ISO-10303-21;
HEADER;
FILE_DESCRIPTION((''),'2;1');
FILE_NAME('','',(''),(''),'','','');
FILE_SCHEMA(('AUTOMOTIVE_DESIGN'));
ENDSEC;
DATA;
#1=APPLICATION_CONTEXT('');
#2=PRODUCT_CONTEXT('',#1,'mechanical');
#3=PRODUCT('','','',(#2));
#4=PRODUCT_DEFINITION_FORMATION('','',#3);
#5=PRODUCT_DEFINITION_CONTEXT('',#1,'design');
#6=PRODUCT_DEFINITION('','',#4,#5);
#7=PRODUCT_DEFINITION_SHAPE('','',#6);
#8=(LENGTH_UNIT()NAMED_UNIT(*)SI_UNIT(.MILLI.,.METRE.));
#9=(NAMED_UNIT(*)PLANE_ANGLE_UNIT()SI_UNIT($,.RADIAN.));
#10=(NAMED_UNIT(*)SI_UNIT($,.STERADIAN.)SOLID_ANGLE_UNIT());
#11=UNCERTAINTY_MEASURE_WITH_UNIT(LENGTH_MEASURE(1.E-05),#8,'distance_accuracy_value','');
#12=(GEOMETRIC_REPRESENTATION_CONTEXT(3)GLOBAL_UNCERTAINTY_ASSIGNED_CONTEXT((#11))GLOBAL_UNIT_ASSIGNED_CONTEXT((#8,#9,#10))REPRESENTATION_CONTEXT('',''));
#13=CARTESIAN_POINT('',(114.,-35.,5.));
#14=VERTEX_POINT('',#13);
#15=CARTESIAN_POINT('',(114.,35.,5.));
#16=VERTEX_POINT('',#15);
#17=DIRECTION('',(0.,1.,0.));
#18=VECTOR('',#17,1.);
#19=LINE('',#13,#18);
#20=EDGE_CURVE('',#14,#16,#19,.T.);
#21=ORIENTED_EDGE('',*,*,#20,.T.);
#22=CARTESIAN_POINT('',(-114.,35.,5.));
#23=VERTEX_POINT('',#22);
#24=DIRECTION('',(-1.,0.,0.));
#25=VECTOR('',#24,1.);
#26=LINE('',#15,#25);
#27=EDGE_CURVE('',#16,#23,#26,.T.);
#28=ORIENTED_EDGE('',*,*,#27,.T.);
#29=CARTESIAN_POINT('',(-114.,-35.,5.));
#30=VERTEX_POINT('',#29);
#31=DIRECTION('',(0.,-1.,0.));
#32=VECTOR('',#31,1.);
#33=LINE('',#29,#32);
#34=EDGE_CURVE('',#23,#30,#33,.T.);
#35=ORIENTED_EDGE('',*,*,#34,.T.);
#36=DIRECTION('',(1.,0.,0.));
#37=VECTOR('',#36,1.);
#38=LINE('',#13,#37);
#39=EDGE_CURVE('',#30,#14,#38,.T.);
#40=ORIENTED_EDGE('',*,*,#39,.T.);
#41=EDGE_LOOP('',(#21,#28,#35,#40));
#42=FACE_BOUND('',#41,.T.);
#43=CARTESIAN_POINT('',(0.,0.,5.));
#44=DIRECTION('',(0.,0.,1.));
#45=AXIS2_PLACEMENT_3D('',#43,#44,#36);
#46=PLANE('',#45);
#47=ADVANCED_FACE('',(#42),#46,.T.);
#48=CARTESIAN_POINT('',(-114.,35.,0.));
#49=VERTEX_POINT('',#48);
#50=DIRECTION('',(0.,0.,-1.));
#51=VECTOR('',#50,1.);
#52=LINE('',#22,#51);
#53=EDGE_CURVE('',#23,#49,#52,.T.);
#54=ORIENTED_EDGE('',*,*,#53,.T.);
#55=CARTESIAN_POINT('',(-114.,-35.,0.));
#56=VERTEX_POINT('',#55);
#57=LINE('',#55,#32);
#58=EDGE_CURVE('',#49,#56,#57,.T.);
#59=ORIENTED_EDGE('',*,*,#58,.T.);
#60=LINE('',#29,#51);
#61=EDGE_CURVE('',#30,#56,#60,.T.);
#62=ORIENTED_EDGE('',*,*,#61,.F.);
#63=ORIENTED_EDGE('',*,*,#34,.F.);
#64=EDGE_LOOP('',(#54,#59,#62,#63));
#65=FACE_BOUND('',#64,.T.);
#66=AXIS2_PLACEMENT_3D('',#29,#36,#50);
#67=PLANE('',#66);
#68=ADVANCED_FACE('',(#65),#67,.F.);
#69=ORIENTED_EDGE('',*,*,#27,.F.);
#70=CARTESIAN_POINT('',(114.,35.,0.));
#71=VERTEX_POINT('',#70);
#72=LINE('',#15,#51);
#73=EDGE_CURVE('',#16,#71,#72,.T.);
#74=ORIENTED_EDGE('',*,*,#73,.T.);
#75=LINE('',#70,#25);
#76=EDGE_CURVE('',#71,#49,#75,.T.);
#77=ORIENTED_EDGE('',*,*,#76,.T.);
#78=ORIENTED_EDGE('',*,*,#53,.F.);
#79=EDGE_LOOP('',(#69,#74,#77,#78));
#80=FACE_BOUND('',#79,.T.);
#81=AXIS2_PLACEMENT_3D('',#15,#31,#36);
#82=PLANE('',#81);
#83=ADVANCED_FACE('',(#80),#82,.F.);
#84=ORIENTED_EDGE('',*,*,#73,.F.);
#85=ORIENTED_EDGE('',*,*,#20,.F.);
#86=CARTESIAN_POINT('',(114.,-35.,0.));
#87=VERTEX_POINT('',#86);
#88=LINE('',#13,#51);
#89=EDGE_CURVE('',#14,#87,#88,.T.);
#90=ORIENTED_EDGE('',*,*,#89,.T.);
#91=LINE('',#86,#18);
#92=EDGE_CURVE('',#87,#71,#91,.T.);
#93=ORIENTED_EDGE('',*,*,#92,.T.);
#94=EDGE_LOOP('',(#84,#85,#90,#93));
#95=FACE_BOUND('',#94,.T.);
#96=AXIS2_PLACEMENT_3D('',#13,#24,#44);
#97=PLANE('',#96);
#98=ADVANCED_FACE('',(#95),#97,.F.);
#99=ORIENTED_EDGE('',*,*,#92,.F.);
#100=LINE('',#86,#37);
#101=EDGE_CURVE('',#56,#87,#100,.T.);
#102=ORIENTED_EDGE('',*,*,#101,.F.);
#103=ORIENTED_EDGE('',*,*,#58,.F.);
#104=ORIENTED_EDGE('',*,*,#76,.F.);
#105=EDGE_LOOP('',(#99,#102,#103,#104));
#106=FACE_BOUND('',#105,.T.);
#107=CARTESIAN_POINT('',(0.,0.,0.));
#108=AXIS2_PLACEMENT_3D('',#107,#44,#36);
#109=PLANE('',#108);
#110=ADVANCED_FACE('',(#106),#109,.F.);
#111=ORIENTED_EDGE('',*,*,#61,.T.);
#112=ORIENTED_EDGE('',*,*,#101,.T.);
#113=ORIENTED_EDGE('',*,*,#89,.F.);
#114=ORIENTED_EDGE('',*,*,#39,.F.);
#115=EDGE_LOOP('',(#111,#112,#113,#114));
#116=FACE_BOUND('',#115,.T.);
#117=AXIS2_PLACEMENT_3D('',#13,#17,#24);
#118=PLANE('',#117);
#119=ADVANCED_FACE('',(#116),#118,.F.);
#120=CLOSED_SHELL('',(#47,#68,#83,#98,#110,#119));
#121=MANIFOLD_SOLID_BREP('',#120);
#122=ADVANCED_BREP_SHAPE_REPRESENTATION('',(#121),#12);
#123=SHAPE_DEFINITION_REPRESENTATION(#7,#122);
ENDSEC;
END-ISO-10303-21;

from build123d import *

# Parameters (mm, degrees)
SKETCH_1_W      = 228
SKETCH_1_H      = 70
EXTRUDE_1_DEPTH = 5


with BuildPart() as part:
    # 草图1 → 凸台-拉伸1 (new body)
    with BuildSketch(Plane.XY):
        Rectangle(SKETCH_1_W, SKETCH_1_H)
    extrude(amount=EXTRUDE_1_DEPTH)


solid = part.part
